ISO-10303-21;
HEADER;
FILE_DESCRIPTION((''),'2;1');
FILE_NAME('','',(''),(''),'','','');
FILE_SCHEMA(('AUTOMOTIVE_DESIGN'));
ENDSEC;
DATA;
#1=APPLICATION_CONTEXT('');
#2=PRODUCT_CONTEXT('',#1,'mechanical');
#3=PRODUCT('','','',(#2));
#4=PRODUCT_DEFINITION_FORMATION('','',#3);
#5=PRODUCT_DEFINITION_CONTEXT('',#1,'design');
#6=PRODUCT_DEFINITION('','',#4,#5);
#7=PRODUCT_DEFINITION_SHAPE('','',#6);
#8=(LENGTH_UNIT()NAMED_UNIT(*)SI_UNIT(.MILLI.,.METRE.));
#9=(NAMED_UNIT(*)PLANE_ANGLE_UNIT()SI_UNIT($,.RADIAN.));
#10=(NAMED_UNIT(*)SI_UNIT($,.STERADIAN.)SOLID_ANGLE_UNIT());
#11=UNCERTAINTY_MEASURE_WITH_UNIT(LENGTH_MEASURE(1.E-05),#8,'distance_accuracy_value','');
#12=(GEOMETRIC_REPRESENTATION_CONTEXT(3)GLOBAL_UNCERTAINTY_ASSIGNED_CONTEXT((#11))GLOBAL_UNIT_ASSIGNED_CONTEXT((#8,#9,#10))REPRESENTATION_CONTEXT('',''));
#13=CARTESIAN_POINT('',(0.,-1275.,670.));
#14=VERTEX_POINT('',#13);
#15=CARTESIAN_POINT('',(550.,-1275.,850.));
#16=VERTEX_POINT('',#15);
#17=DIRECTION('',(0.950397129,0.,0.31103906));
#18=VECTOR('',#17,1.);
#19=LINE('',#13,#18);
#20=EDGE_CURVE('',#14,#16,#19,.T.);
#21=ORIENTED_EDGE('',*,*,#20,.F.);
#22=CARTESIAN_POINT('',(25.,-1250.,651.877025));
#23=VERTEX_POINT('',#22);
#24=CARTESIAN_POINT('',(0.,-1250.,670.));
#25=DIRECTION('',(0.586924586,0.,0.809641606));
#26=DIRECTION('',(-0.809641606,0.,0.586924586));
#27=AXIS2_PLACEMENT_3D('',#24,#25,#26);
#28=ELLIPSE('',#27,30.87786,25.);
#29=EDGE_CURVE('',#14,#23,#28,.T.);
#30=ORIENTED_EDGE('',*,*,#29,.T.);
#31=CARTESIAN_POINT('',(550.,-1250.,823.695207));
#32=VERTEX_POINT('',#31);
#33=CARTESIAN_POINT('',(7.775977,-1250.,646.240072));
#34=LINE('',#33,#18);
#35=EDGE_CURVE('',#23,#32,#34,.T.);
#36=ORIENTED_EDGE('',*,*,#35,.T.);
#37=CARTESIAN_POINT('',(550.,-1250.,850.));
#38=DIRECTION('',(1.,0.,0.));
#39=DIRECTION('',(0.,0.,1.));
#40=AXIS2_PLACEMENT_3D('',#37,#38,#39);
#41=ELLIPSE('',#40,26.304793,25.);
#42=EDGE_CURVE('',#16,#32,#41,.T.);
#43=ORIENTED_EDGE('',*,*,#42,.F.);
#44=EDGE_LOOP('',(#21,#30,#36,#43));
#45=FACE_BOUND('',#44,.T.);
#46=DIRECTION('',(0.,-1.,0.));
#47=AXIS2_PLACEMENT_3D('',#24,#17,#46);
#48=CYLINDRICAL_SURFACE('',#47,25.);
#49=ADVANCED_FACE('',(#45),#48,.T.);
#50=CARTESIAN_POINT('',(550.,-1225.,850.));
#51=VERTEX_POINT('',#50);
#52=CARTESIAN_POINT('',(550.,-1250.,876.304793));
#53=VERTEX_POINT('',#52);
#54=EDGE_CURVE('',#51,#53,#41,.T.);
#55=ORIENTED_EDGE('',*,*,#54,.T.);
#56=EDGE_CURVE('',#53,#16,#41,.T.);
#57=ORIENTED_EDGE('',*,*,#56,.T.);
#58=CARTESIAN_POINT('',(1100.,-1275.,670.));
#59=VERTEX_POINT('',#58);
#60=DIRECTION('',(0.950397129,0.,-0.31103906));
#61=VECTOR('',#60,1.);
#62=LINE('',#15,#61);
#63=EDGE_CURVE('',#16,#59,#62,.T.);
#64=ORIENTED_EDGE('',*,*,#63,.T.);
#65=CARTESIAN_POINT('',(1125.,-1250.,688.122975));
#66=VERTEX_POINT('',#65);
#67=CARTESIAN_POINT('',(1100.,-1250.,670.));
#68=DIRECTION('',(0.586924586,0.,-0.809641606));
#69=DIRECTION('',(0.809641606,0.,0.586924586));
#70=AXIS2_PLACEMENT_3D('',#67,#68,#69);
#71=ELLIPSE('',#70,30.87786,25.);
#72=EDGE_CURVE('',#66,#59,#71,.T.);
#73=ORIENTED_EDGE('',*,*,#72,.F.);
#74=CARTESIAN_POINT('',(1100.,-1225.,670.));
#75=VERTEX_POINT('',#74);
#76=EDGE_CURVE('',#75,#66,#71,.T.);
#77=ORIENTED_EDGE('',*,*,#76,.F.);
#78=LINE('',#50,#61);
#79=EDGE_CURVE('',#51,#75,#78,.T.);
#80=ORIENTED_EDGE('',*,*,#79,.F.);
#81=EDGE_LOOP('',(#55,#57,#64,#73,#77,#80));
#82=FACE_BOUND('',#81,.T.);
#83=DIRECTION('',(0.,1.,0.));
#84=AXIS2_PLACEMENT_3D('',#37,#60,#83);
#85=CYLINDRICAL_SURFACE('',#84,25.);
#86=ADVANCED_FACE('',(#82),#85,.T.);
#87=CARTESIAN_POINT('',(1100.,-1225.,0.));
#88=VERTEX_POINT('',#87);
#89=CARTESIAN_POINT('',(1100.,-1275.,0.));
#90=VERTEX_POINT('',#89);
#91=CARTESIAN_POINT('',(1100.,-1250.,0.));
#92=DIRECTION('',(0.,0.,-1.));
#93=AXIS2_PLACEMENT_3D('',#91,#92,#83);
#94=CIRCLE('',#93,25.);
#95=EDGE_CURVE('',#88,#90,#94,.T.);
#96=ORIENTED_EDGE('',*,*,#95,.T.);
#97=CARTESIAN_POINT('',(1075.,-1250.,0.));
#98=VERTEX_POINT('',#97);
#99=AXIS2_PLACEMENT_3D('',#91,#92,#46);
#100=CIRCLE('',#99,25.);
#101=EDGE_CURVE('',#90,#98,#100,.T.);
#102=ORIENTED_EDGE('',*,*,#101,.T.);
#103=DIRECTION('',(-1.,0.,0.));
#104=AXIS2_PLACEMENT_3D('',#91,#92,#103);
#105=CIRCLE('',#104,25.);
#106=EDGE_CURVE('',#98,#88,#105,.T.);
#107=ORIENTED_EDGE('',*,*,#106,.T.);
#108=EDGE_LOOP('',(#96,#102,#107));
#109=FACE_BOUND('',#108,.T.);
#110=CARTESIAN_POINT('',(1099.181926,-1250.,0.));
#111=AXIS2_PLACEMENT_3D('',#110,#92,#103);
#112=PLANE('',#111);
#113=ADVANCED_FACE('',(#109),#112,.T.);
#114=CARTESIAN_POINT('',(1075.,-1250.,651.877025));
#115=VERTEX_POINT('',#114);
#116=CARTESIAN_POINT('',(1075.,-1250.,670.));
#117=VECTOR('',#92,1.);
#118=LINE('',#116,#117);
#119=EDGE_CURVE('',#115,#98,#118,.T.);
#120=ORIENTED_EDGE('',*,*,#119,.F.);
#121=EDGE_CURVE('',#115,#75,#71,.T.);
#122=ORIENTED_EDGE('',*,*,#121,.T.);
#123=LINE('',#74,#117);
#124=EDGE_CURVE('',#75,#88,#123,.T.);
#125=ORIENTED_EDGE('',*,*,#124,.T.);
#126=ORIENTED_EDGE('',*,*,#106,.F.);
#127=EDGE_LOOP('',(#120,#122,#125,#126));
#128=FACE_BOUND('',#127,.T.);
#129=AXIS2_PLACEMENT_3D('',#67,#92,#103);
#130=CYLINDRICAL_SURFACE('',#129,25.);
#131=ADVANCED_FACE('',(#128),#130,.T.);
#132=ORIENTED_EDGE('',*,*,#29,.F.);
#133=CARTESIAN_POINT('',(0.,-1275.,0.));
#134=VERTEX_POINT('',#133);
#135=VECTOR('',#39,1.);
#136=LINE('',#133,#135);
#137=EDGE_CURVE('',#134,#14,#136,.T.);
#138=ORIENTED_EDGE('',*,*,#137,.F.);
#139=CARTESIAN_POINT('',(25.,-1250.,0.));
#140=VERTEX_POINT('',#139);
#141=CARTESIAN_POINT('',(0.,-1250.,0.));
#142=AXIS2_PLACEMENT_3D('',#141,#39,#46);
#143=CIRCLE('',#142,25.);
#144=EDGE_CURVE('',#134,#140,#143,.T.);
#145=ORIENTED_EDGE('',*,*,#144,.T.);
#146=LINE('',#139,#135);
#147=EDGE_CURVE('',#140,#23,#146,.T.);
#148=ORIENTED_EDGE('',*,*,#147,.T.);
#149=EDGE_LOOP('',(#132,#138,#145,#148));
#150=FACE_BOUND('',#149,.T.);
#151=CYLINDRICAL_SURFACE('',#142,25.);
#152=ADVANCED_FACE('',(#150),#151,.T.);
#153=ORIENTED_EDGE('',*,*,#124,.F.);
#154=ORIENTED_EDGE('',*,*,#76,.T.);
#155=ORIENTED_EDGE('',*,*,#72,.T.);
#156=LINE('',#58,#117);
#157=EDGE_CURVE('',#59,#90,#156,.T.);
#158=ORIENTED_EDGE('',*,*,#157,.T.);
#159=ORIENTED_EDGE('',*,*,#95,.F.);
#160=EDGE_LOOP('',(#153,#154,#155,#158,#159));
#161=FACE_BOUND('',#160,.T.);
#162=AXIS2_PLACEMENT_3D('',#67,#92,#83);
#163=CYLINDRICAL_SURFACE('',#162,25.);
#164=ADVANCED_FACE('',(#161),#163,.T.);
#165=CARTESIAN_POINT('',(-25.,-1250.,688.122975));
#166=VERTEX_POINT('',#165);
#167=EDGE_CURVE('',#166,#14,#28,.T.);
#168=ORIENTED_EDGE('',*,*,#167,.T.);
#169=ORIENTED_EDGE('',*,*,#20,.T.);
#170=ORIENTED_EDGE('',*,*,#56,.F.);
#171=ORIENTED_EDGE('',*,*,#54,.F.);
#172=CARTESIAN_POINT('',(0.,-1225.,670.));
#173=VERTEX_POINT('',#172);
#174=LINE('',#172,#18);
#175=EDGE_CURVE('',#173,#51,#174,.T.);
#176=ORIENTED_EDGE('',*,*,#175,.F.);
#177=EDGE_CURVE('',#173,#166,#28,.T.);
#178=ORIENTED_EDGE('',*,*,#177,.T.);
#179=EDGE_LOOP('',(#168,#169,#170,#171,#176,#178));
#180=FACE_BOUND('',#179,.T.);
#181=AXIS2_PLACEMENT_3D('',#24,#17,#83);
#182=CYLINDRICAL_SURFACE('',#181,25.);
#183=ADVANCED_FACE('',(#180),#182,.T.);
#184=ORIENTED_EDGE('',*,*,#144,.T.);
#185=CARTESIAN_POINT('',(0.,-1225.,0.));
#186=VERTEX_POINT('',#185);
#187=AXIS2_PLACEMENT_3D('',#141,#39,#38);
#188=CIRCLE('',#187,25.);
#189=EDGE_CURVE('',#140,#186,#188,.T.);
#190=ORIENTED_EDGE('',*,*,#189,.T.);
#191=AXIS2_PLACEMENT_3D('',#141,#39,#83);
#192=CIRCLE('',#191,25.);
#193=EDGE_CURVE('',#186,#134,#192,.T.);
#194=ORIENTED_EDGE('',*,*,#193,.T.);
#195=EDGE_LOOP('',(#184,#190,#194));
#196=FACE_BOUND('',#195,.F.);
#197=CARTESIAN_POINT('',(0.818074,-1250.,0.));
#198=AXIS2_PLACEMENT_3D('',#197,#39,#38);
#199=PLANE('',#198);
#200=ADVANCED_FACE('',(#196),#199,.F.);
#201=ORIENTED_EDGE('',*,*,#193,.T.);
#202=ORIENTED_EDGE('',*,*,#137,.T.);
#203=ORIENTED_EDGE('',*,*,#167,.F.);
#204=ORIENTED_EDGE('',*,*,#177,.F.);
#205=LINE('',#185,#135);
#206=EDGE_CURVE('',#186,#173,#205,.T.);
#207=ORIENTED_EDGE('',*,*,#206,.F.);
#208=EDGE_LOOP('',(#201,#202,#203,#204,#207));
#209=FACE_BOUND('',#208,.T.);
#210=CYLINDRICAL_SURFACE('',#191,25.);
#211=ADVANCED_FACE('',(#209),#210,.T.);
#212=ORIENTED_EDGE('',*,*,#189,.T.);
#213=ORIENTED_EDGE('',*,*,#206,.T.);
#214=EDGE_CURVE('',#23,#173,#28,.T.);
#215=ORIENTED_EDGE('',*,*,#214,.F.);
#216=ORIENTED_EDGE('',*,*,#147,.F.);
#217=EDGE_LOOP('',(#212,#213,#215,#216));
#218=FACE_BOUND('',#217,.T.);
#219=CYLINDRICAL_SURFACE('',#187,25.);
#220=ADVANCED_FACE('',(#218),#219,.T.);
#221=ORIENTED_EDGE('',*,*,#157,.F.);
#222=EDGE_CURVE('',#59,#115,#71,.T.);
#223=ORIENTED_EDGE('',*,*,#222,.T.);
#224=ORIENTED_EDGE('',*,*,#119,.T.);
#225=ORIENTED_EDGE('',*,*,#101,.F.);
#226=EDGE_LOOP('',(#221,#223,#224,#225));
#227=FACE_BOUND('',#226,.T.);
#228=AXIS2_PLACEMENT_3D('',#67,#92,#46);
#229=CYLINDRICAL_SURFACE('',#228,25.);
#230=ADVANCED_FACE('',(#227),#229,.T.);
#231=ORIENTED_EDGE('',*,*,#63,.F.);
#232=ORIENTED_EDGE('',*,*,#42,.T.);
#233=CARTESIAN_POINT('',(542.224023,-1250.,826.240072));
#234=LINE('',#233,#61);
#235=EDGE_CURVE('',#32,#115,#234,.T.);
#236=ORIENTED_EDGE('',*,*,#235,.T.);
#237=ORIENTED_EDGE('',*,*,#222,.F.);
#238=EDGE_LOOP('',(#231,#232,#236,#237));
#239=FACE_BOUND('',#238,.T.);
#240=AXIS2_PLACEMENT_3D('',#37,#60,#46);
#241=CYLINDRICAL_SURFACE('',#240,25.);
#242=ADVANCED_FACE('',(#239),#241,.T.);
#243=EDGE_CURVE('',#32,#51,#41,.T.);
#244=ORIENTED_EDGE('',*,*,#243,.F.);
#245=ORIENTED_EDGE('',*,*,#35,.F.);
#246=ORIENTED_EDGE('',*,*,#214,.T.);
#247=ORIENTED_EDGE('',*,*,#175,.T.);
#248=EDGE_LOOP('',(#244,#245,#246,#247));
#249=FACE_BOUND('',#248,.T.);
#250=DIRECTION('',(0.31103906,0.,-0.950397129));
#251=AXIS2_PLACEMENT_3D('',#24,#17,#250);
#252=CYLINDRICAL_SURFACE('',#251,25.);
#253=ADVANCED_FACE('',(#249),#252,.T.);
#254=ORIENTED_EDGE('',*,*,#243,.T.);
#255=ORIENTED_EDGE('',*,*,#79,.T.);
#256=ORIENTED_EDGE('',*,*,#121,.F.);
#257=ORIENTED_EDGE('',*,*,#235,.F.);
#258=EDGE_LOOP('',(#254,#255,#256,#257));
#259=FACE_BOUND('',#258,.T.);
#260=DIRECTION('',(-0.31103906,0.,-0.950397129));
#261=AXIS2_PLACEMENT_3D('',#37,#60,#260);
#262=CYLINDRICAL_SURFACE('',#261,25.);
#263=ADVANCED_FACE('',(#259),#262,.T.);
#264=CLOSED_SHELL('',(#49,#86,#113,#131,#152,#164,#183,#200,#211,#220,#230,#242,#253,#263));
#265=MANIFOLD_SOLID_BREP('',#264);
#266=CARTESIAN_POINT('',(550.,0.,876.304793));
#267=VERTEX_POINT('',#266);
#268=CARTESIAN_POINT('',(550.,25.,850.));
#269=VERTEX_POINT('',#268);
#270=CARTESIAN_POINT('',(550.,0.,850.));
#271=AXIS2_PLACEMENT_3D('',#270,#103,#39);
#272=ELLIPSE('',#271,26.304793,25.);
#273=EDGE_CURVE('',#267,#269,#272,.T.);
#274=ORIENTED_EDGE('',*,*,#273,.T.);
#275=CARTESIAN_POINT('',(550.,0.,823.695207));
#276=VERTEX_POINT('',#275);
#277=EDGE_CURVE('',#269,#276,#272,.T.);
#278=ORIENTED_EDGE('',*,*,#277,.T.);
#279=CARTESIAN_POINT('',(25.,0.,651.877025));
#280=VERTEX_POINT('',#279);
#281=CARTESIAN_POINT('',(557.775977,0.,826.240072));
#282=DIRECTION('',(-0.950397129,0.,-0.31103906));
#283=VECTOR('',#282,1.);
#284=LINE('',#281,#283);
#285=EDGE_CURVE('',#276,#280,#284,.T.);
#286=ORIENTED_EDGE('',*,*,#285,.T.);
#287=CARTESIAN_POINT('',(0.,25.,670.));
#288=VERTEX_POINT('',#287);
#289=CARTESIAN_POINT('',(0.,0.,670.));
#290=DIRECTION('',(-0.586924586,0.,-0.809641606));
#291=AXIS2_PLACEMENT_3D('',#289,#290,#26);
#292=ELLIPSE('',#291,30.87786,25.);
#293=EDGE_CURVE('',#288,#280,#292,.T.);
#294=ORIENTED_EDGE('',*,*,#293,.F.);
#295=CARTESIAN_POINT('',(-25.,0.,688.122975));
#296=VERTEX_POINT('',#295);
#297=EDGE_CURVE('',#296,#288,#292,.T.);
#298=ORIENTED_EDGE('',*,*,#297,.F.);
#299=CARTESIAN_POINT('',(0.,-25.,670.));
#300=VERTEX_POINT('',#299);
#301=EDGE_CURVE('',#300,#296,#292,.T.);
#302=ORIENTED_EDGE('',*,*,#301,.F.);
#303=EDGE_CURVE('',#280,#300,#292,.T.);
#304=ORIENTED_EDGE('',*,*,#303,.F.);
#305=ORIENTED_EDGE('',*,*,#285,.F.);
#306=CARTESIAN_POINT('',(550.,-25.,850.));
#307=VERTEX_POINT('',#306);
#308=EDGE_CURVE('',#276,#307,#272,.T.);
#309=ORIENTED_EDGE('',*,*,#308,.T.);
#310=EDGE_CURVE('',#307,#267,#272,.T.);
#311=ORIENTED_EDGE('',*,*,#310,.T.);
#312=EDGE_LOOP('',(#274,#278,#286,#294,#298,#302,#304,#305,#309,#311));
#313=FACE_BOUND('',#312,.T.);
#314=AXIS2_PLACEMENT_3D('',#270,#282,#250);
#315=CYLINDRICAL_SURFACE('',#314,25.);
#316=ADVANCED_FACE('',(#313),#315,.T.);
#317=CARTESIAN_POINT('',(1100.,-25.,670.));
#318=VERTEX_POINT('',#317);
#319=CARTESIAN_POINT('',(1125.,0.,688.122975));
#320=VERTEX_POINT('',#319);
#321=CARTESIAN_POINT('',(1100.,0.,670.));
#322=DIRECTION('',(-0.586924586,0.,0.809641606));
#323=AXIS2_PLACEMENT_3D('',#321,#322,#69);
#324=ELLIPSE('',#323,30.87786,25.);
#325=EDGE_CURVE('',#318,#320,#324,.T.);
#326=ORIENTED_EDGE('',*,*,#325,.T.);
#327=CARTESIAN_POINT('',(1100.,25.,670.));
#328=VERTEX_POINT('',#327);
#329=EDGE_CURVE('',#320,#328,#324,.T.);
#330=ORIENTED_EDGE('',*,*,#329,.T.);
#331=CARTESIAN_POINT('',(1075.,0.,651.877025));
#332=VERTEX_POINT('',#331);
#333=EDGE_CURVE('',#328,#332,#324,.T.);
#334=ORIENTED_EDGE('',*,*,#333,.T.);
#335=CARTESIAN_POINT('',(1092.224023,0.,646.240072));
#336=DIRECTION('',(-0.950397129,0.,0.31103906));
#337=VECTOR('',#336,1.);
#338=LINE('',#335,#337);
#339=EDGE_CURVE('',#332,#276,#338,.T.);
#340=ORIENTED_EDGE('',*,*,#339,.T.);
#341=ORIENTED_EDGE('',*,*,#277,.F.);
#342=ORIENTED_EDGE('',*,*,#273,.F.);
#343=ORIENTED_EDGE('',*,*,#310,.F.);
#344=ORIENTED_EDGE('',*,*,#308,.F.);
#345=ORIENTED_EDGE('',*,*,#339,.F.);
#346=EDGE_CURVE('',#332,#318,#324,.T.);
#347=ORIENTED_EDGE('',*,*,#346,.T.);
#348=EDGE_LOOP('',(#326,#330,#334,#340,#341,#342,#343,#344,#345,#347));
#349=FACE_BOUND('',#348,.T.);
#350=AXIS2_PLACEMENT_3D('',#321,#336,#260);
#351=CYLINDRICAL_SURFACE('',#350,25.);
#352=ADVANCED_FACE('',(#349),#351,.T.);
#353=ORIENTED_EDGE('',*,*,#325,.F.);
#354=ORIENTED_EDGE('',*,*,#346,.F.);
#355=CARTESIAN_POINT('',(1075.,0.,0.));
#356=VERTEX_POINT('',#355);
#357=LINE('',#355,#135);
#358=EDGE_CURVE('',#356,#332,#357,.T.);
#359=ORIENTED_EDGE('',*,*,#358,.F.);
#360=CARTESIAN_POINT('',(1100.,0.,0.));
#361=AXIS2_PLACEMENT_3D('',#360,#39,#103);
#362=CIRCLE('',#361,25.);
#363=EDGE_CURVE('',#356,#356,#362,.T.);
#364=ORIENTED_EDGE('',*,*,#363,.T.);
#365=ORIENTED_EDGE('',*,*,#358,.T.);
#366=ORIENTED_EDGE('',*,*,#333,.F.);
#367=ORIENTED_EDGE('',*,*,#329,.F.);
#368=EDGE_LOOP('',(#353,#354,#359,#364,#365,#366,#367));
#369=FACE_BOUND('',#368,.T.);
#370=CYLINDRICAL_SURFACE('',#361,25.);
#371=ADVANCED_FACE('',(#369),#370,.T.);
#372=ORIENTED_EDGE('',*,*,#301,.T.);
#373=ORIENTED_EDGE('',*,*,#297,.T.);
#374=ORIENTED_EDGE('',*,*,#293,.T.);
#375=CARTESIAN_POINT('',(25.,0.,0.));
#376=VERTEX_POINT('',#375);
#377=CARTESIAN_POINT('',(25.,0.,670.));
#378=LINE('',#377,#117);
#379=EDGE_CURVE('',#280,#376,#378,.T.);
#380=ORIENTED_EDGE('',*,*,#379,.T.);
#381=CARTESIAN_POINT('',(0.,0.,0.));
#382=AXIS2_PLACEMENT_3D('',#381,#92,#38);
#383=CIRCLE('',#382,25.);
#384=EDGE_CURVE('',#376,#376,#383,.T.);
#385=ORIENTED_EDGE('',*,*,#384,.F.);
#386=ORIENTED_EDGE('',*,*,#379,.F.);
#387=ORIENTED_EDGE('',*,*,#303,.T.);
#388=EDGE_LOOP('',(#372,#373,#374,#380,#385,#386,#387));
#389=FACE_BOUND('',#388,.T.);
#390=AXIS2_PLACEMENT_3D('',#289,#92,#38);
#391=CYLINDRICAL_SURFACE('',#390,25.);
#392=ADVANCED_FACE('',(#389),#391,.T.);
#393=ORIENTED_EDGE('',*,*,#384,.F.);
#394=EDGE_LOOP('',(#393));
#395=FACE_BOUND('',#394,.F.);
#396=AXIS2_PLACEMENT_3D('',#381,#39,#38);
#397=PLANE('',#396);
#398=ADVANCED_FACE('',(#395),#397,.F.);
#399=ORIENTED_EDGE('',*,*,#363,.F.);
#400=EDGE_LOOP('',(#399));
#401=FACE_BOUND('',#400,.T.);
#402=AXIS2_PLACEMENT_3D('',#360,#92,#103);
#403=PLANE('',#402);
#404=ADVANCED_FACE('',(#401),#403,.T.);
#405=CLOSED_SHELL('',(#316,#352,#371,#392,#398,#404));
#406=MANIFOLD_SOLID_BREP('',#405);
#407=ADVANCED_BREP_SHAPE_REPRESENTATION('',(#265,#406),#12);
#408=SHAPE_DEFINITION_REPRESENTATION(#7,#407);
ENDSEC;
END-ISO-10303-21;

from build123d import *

# Parameters (mm, degrees)
F1_R = 25


with BuildPart() as f10:
    # F10: sweep along a path in F0
    with BuildLine(Plane.XZ) as f10_path:
        Line((1100, 0), (1100, 670))
        Line((1100, 670), (550, 850))
        Line((550, 850), (0, 670))
        Line((0, 670), (0, 0))
    # F1 (on Top) → F10 (sweep)
    with BuildSketch(Plane.XY):
        Circle(F1_R)
    sweep(path=f10_path.line, transition=Transition.RIGHT)


with BuildPart() as f13:
    # F13: sweep along a path in F5
    with BuildLine(Plane.XZ.offset(1250)) as f13_path:
        Line((0, 0), (0, 670))
        Line((0, 670), (550, 850))
        Line((550, 850), (1100, 670))
        Line((1100, 670), (1100, 0))
    # F12 (on plane+point) → F13 (sweep)
    with BuildSketch(Plane.XY):
        with BuildLine():
            ThreePointArc((25, -1250), (17.6776695297, -1232.3223304703), (0, -1225))
            Line((0, -1225), (0, -1250))
            Line((0, -1250), (0, -1275))
            ThreePointArc((0, -1275), (17.6776695297, -1267.6776695297), (25, -1250))
        make_face()
        with BuildLine():
            Line((0, -1250), (0, -1225))
            ThreePointArc((0, -1225), (-25, -1250), (0, -1275))
            Line((0, -1275), (0, -1250))
        make_face()
    sweep(path=f13_path.line, transition=Transition.RIGHT)


solid = Compound([f10.part, f13.part])
